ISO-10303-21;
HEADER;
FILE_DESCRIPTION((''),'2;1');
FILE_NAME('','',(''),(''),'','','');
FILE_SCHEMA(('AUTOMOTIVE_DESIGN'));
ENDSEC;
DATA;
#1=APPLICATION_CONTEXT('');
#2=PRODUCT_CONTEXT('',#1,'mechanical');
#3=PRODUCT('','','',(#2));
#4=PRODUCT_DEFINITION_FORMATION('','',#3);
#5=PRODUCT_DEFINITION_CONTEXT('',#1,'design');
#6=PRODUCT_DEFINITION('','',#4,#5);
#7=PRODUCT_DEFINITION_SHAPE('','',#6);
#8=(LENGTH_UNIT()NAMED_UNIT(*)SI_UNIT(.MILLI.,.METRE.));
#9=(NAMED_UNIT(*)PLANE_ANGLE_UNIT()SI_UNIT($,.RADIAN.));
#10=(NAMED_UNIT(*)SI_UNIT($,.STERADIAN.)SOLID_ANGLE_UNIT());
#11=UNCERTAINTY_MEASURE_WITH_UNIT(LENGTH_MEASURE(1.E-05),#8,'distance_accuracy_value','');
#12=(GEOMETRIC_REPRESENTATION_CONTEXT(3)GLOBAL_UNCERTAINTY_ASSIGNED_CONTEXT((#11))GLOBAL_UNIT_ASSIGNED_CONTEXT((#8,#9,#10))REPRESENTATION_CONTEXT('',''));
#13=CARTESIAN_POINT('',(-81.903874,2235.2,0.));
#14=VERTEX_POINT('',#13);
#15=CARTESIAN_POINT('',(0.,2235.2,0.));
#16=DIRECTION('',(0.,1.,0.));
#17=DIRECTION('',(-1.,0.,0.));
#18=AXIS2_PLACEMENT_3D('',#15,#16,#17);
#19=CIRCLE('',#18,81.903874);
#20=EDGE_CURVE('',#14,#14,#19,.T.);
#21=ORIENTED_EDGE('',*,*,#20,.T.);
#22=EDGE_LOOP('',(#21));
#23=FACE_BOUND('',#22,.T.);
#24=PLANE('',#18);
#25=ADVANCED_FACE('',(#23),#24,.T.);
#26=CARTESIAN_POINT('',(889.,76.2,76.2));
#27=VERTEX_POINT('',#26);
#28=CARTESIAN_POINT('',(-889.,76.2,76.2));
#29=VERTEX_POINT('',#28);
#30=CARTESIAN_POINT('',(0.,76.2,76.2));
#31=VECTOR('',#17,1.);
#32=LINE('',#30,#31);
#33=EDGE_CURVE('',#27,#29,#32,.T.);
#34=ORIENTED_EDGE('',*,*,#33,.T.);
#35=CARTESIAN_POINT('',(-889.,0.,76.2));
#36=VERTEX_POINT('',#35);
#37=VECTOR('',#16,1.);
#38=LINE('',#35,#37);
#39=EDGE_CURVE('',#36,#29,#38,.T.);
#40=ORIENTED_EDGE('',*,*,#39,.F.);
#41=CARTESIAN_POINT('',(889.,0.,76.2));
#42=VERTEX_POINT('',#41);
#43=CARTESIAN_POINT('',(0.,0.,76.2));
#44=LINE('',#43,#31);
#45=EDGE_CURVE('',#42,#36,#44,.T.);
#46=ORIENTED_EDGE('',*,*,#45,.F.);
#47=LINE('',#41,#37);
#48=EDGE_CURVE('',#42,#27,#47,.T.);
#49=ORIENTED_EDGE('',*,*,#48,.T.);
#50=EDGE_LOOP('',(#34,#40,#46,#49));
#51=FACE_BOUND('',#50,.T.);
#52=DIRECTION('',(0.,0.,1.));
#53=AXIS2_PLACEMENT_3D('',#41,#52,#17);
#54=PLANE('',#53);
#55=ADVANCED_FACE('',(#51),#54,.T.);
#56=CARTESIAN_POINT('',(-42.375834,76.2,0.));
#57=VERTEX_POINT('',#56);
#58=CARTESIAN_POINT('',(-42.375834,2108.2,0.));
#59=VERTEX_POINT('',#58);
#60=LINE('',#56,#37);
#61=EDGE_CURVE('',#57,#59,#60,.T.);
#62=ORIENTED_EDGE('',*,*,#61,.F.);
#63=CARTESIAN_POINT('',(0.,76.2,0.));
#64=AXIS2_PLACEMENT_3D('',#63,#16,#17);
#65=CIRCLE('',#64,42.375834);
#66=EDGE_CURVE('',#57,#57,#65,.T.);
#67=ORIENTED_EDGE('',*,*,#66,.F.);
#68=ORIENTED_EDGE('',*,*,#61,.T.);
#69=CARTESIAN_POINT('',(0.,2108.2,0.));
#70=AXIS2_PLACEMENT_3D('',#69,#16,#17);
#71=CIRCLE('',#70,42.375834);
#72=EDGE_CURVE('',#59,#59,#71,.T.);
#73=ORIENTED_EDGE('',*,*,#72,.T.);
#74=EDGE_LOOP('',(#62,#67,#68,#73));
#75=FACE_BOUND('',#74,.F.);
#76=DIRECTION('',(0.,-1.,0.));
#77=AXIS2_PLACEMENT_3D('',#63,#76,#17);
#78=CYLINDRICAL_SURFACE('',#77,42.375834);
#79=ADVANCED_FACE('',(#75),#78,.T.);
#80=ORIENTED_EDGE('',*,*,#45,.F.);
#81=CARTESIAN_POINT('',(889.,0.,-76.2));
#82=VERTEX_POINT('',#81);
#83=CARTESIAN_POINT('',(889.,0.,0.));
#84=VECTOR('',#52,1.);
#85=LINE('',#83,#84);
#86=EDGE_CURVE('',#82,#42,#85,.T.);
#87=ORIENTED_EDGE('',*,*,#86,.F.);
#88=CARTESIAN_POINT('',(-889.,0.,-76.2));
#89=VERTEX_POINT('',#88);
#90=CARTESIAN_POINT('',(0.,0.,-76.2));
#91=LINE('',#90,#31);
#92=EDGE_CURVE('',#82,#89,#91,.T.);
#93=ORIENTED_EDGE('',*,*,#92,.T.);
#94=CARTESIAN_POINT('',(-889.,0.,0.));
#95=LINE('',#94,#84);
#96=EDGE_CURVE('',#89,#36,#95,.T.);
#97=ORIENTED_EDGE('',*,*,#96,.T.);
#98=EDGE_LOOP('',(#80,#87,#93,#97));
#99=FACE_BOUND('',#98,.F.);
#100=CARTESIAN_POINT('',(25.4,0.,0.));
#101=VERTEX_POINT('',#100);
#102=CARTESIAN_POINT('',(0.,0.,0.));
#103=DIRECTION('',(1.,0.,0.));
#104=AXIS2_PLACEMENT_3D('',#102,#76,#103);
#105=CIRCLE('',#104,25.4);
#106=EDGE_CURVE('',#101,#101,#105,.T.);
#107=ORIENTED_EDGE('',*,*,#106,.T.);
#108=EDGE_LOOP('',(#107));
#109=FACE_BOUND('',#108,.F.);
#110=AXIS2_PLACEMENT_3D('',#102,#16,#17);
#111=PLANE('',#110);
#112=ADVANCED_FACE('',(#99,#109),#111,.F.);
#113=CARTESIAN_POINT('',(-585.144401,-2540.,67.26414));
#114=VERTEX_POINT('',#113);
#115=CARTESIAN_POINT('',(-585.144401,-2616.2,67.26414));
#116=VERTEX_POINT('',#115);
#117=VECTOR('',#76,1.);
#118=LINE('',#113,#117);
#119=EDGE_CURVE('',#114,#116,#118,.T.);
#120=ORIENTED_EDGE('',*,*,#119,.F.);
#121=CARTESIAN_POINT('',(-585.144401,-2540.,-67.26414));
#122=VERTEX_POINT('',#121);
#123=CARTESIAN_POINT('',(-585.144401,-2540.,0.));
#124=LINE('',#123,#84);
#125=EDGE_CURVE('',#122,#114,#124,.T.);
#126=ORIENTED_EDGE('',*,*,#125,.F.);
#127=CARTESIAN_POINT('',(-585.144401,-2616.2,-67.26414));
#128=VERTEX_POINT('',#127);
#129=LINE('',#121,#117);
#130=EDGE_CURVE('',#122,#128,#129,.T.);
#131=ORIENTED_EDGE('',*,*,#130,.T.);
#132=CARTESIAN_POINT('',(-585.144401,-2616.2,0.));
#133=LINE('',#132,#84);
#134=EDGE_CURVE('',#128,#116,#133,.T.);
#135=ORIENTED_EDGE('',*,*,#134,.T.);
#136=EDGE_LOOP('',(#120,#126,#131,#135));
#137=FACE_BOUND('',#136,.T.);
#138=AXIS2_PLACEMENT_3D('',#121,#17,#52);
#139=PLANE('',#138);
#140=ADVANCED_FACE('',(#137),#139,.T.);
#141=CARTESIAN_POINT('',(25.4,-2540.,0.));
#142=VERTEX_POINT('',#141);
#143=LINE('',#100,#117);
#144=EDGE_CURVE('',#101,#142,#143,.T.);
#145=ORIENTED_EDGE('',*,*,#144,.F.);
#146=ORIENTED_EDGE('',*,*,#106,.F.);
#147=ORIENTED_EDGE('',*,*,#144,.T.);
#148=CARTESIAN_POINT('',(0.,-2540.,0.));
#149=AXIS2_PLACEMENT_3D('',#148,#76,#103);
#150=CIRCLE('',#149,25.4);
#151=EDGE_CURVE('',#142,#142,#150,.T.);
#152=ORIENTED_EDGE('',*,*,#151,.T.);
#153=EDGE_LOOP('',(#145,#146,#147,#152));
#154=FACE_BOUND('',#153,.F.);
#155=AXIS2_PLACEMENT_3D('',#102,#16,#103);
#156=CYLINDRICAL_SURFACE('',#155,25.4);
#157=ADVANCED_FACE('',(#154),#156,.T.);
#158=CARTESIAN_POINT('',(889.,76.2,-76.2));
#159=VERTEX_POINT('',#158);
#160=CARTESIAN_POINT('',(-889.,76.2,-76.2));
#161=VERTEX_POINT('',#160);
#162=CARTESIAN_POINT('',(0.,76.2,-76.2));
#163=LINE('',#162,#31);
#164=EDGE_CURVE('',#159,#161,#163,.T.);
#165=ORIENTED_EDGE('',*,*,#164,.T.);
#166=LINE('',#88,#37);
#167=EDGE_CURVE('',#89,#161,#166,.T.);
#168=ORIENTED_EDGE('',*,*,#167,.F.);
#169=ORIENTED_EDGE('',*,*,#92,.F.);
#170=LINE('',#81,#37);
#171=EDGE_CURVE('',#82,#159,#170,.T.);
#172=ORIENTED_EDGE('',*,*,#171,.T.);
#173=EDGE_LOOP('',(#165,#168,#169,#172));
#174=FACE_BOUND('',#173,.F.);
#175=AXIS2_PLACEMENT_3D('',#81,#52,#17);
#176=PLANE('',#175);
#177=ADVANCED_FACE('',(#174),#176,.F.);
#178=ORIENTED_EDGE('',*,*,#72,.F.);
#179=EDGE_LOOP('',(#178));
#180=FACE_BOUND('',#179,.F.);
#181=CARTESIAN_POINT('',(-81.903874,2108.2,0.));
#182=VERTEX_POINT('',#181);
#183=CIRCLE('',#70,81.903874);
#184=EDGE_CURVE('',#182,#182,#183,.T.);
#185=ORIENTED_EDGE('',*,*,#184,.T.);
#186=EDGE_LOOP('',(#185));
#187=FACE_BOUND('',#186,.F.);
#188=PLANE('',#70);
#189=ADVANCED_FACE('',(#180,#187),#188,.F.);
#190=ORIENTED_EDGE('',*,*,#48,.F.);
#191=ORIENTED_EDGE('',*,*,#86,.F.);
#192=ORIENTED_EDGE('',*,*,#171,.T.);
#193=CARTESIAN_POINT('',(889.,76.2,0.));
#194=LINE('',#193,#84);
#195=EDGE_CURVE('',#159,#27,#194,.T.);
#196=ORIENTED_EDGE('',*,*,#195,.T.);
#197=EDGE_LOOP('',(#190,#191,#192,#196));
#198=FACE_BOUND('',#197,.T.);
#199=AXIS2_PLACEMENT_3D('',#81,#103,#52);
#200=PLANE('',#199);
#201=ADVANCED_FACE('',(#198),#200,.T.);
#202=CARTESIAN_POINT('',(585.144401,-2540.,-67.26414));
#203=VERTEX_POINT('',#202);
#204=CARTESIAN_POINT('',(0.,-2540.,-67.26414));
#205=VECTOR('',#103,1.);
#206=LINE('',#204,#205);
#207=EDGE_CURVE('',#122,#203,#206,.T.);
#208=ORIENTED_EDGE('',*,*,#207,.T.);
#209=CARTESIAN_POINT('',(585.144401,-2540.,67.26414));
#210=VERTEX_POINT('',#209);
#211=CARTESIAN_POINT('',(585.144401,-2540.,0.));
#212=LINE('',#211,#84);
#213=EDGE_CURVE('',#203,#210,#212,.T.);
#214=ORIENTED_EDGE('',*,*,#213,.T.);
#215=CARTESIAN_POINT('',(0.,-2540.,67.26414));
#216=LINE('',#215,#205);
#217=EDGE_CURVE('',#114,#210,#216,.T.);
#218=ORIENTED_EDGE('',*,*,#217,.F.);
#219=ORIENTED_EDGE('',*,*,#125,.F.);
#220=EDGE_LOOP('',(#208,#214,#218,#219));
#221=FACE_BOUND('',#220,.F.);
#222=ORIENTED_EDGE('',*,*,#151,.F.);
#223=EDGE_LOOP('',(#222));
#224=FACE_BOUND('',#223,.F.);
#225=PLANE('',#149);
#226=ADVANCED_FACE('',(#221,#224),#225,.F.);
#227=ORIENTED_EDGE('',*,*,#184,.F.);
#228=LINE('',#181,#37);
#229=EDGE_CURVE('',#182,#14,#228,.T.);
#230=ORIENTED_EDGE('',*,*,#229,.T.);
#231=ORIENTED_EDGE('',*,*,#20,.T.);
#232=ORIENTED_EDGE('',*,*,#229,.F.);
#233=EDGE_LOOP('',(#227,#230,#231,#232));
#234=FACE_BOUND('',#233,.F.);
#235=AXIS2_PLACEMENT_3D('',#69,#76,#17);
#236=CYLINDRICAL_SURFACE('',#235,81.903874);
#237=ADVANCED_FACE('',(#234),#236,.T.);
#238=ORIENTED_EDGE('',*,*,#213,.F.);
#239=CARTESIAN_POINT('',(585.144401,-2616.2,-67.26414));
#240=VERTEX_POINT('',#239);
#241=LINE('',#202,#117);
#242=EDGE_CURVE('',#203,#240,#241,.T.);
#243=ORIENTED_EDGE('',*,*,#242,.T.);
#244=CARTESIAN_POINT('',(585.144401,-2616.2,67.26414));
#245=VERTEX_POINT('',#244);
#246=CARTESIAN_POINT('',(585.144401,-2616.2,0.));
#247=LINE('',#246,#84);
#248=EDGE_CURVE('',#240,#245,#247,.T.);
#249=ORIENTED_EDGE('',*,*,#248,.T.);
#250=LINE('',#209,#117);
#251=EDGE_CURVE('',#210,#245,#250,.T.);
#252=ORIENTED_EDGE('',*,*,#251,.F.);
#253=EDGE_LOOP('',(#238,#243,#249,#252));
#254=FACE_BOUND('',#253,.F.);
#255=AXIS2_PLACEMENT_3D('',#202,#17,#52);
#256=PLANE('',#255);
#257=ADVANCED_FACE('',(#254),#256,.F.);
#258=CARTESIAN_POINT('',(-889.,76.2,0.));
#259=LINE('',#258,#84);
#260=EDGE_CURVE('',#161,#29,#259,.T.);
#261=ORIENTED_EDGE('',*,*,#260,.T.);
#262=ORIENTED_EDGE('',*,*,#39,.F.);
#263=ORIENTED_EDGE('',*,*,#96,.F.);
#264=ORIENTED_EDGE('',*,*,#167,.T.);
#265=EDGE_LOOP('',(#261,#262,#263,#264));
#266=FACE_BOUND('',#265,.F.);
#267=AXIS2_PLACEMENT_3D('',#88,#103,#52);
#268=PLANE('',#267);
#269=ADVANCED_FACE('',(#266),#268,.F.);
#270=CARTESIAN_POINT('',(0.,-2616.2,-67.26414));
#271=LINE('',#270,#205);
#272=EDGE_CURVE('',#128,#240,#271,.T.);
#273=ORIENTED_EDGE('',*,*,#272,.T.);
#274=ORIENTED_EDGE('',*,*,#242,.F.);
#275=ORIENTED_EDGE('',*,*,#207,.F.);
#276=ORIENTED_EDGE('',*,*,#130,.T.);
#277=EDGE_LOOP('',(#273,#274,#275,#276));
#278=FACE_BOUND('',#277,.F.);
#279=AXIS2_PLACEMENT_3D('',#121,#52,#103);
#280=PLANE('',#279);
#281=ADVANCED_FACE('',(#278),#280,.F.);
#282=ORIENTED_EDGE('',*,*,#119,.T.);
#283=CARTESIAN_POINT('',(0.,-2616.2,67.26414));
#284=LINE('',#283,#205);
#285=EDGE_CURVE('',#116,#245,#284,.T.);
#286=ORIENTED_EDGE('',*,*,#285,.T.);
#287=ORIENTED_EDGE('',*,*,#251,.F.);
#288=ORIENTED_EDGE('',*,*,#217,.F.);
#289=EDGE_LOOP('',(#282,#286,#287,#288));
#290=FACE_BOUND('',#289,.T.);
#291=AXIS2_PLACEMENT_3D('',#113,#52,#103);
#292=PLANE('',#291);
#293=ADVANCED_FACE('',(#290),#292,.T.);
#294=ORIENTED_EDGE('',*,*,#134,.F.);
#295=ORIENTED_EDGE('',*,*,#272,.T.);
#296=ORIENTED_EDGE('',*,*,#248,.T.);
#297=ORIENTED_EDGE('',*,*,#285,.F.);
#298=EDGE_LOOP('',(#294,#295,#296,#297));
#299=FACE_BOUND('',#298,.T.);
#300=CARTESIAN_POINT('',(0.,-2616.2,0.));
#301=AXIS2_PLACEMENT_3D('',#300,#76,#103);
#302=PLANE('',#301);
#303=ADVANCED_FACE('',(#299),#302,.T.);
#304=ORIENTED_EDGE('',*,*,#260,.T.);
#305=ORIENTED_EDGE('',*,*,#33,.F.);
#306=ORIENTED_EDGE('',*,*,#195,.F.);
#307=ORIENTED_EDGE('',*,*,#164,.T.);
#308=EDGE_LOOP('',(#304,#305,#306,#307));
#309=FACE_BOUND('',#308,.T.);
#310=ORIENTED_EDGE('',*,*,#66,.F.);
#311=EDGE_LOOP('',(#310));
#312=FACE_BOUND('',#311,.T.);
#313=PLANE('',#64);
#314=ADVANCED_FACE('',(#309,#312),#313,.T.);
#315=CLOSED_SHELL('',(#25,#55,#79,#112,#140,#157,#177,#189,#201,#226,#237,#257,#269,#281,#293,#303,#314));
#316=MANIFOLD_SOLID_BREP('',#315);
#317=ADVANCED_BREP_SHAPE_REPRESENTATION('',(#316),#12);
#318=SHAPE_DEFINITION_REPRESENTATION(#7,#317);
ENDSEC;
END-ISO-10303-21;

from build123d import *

# Parameters (mm, degrees)
F0_R     = 25.4
F1_DEPTH = 2540
F2_W     = 1170.288802
F2_H     = 134.52828
F3_DEPTH = 76.2
F4_W     = 1778
F4_H     = 152.4
F5_DEPTH = 76.2
F6_R     = 42.375834
F7_DEPTH = 2032
F8_R     = 81.903874
F9_DEPTH = 127


with BuildPart() as f1:
    # F0 (on Front) → F1 (new body)
    with BuildSketch(Plane.XZ):
        Circle(F0_R)
    extrude(amount=F1_DEPTH)

    # F2 (on face) → F3 (join)
    with BuildSketch(Plane.XZ.offset(2540)):
        Rectangle(F2_W, F2_H)
    extrude(amount=F3_DEPTH)

    # F4 (on face) → F5 (join)
    with BuildSketch(Plane(origin=(0, 0, 0), x_dir=(-1, 0, 0), z_dir=(0, 1, 0))):
        Rectangle(F4_W, F4_H)
    extrude(amount=F5_DEPTH)

    # F6 (on face) → F7 (join)
    with BuildSketch(Plane(origin=(0, 76.2, 0), x_dir=(-1, 0, 0), z_dir=(0, 1, 0))):
        Circle(F6_R)
    extrude(amount=F7_DEPTH)

    # F8 (on face) → F9 (join)
    with BuildSketch(Plane(origin=(0, 2108.2, 0), x_dir=(-1, 0, 0), z_dir=(0, 1, 0))):
        Circle(F8_R)
    extrude(amount=F9_DEPTH)


solid = f1.part
